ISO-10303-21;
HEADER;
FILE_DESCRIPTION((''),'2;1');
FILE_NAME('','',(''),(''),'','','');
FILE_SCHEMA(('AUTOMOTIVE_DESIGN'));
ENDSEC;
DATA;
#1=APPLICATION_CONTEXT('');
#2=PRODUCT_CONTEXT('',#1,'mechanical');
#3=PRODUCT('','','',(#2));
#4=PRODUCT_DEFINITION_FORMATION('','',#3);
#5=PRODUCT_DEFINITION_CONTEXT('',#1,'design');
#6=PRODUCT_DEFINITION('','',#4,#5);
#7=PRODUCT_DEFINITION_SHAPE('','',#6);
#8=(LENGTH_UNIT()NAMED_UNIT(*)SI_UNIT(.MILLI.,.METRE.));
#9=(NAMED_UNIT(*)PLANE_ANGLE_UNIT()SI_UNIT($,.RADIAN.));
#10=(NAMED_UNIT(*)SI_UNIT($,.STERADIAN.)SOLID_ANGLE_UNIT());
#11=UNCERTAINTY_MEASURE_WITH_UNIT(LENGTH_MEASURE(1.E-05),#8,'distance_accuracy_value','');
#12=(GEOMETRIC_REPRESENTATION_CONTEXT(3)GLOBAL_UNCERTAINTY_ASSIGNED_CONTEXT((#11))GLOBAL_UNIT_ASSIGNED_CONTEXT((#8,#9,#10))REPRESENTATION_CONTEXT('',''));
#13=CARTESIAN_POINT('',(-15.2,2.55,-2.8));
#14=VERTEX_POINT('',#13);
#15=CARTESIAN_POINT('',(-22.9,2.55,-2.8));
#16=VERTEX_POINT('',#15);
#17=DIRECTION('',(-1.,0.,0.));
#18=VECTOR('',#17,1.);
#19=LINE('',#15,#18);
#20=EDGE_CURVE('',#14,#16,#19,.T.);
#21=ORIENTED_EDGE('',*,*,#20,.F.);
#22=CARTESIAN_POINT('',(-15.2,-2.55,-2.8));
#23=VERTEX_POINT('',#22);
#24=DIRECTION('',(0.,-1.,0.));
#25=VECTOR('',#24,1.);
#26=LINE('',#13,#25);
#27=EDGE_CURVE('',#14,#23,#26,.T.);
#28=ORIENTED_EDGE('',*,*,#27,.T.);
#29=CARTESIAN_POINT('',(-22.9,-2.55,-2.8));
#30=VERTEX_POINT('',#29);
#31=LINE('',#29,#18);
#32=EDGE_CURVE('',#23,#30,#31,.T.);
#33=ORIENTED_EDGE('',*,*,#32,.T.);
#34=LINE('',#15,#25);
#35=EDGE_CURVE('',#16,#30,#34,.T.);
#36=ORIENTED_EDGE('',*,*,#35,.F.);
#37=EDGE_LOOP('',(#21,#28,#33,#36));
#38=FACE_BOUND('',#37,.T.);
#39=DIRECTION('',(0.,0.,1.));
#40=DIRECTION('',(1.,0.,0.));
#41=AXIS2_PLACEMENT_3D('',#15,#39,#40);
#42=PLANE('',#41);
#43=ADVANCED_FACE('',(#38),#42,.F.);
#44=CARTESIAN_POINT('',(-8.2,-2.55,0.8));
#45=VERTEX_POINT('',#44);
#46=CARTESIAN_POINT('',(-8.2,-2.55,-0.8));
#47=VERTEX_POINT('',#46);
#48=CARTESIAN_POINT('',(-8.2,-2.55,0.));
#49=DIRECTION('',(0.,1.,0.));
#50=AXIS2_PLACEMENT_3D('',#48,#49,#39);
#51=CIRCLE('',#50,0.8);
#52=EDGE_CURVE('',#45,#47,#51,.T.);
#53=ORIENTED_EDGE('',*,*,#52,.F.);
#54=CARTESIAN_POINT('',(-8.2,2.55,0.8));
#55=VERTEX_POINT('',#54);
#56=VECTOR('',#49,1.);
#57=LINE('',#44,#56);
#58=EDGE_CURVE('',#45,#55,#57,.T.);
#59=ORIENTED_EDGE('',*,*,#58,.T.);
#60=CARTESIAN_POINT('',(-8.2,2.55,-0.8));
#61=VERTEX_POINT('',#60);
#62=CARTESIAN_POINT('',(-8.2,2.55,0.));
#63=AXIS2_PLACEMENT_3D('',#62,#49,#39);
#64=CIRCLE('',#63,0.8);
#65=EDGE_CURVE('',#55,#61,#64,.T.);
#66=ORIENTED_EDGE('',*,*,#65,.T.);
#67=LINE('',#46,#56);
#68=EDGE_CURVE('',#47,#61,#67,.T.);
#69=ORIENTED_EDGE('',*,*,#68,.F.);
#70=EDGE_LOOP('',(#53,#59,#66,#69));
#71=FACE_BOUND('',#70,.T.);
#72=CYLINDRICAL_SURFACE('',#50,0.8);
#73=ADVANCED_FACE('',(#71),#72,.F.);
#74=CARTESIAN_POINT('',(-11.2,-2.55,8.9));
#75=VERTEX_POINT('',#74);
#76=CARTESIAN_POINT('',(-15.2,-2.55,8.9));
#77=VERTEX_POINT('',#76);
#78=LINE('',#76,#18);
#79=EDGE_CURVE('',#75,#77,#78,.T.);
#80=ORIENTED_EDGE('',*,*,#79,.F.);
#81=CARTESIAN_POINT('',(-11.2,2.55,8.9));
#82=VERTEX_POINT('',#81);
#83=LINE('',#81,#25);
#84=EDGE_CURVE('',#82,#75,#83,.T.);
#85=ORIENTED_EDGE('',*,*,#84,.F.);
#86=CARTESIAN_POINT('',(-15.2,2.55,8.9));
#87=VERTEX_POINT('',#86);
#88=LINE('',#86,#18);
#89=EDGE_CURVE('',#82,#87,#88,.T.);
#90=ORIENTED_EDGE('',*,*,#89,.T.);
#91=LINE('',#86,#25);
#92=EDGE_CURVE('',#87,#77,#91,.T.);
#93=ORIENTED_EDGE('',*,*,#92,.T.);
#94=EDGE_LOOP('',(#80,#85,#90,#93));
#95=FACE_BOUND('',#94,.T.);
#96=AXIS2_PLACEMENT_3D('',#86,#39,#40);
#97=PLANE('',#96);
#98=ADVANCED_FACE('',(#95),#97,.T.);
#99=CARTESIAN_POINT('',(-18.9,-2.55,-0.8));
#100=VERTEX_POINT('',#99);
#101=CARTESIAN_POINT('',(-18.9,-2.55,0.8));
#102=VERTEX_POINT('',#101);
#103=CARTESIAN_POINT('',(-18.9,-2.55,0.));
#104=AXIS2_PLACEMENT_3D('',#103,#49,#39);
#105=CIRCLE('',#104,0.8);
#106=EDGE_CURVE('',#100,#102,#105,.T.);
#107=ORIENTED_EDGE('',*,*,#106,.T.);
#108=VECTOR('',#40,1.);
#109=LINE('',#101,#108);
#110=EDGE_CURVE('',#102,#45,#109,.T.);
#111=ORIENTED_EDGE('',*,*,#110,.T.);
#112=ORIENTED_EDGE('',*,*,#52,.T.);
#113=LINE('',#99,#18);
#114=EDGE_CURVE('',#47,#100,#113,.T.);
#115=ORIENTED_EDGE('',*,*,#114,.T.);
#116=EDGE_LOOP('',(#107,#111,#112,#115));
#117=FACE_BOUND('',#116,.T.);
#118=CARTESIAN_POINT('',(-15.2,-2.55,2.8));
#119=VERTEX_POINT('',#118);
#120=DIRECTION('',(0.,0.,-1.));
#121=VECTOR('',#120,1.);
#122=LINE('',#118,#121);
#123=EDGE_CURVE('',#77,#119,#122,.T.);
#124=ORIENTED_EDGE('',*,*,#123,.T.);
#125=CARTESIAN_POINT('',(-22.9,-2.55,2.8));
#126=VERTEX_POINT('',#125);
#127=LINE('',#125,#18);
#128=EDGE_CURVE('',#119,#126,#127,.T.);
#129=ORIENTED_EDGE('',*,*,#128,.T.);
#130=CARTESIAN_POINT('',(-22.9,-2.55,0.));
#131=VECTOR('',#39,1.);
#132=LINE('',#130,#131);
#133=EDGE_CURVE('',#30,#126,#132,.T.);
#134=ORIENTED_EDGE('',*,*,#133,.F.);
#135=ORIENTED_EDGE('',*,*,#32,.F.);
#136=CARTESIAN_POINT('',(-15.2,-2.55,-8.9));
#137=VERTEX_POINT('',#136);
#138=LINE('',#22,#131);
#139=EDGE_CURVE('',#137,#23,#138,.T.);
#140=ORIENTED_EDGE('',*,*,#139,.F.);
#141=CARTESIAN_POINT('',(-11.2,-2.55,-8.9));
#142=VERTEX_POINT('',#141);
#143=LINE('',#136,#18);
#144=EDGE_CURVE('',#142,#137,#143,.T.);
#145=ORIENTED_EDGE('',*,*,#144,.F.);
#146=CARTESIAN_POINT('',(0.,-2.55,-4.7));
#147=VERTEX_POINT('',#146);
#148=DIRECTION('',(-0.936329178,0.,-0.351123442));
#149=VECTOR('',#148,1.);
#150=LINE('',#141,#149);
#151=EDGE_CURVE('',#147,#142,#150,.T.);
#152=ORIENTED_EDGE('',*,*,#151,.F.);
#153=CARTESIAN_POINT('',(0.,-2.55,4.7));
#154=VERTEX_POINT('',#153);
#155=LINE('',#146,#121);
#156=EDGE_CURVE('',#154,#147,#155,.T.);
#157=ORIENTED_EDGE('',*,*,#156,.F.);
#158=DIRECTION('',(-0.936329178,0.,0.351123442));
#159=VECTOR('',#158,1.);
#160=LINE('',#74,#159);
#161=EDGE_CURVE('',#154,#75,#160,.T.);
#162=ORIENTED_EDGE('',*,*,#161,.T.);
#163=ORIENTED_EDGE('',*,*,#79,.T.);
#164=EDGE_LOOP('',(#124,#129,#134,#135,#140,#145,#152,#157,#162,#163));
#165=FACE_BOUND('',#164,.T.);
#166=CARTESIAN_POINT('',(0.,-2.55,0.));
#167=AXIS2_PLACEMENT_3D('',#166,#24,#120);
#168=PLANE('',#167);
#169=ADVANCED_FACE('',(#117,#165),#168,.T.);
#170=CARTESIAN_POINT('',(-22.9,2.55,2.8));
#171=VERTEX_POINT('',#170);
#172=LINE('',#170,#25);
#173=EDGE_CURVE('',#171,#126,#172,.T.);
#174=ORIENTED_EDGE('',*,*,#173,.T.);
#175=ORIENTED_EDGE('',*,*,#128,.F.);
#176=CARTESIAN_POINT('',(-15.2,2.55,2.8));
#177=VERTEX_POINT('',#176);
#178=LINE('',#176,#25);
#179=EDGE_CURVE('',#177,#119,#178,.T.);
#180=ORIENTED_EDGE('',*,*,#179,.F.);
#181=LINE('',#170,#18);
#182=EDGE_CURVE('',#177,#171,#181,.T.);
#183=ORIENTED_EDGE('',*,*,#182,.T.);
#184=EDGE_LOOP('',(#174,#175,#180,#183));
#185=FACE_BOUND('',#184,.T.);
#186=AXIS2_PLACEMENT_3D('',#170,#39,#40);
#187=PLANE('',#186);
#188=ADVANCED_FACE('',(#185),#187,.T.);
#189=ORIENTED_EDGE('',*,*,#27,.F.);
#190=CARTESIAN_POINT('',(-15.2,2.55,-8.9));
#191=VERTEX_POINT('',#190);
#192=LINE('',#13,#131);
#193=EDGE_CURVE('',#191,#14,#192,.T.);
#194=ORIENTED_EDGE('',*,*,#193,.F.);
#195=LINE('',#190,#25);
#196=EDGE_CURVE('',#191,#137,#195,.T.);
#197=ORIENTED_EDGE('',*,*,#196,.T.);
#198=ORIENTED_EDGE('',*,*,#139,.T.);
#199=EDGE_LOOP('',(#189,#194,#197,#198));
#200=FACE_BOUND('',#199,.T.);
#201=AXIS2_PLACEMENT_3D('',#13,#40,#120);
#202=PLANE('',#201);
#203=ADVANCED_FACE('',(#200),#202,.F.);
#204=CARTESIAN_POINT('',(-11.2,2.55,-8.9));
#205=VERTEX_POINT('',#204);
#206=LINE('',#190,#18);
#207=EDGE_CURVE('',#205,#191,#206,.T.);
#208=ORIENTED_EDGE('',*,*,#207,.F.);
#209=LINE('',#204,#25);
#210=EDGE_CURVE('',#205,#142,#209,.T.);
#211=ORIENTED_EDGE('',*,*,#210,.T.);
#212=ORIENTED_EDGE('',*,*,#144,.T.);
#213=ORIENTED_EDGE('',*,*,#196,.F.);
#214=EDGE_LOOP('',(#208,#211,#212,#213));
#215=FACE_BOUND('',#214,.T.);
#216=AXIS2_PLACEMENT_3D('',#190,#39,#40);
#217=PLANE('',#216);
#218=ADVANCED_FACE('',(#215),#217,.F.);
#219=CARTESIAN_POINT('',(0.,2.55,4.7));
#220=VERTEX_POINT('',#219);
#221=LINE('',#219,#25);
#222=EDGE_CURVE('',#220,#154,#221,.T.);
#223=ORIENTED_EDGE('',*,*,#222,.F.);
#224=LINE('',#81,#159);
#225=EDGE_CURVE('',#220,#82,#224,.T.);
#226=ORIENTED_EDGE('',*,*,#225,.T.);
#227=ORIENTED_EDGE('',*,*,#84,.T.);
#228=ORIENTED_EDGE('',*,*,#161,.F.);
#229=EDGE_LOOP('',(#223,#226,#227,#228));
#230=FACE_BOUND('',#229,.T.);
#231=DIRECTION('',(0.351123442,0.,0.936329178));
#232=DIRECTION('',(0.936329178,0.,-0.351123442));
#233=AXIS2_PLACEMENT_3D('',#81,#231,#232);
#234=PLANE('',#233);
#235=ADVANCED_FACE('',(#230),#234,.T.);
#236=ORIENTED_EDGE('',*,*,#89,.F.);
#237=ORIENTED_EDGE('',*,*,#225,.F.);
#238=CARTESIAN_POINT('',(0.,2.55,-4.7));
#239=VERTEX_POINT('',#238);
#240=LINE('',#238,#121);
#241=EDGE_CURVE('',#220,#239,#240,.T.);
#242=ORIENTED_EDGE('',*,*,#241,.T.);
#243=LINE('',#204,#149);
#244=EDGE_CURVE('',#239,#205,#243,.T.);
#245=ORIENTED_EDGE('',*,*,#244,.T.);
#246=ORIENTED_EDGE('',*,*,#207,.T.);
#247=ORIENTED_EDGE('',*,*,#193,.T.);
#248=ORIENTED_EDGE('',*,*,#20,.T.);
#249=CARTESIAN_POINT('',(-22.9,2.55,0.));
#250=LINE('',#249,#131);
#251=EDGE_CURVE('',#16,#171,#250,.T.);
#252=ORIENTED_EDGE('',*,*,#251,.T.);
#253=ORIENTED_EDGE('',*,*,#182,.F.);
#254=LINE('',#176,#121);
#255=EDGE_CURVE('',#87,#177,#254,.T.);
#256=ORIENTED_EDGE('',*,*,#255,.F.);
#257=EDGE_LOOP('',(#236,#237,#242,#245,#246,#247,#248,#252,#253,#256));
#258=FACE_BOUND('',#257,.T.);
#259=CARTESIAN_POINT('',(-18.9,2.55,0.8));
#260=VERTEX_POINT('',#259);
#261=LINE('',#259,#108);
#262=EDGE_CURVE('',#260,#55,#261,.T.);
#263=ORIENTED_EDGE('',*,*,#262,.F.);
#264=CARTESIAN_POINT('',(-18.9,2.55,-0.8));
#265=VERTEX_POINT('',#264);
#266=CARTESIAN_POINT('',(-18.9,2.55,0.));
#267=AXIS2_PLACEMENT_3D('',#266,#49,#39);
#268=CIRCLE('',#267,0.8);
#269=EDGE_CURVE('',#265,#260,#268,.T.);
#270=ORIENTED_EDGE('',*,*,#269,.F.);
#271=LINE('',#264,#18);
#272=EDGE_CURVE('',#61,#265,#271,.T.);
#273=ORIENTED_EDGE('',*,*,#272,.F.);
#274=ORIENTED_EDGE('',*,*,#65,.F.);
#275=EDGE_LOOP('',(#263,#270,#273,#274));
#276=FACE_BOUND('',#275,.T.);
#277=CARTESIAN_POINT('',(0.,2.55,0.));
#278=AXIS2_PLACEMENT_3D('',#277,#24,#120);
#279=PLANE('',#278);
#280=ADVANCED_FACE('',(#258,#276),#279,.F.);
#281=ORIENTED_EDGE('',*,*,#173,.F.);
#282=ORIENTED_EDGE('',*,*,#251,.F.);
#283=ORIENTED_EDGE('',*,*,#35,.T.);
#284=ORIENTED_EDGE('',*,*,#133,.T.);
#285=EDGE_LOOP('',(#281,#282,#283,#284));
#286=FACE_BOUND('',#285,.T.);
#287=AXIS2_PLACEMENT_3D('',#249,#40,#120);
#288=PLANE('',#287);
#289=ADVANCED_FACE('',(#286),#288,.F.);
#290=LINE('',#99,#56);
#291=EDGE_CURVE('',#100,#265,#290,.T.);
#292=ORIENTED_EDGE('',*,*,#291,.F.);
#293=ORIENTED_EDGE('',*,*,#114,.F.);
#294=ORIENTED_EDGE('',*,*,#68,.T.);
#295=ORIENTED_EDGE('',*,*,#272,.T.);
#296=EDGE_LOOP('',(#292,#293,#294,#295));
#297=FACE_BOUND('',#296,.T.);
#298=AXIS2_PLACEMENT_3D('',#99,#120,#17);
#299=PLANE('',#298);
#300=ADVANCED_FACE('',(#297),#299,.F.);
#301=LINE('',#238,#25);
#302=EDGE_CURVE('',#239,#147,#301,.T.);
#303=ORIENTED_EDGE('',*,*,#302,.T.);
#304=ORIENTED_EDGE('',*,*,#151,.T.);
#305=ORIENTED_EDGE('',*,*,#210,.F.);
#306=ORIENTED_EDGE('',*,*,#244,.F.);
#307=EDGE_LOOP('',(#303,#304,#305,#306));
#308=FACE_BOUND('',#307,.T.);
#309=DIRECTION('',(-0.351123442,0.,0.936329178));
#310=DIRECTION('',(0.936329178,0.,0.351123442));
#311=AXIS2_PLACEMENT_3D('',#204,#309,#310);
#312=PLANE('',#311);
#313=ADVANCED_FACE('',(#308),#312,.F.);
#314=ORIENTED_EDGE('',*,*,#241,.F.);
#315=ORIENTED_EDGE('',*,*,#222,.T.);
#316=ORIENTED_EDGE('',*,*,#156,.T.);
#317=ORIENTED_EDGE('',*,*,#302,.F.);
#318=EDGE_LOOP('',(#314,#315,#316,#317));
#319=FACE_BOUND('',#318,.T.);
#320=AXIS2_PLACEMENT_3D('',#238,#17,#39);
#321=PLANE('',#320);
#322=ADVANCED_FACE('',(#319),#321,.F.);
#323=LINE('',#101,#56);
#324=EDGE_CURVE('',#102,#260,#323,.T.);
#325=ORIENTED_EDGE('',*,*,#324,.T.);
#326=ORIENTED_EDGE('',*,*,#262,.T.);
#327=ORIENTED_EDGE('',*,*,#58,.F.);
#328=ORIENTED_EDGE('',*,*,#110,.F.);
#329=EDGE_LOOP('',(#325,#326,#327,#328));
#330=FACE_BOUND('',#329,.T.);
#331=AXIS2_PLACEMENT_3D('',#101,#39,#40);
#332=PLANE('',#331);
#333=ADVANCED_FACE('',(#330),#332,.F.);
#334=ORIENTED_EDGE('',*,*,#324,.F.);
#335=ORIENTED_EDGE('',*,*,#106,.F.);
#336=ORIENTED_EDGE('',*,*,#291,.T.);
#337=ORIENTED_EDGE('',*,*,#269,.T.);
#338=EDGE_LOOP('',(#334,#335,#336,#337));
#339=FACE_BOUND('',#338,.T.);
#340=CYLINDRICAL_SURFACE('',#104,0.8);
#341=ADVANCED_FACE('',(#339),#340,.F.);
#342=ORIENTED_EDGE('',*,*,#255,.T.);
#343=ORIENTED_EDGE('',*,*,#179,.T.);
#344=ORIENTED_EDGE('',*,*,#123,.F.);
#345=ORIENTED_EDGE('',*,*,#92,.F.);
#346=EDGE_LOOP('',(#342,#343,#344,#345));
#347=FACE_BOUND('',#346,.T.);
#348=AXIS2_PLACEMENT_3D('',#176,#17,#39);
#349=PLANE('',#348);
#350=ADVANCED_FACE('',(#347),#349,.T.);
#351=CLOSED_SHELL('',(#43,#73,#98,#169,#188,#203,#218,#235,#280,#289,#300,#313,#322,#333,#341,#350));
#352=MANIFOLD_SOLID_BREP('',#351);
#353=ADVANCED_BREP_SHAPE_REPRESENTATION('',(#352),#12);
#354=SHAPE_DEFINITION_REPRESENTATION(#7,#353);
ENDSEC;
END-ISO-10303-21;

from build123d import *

# Parameters (mm, degrees)
BOSS_EXTRUDE1_DEPTH = 2.55
CUT_EXTRUDE1_DEPTH  = 26.092429137


with BuildPart() as part:
    # Sketch1 → Boss-Extrude1 (new, symmetric)
    with BuildSketch(Plane(origin=(0, 0, 0), x_dir=(1, 0, 0), z_dir=(0, 1, 0))):
        Polygon((-22.9, 0), (-22.9, 2.8), (-15.2, 2.8), (-15.2, 8.9), (-11.2, 8.9), (0, 4.7), (0, 0), align=None)
    boss_extrude1 = extrude(amount=BOSS_EXTRUDE1_DEPTH, both=True)

    # Mirror1: Boss-Extrude1 across plane
    add(boss_extrude1.mirror(Plane.XY))

    # Sketch2 → Cut-Extrude1 (cut, through all)
    with BuildSketch(Plane(origin=(0, 2.55, 0), x_dir=(1, 0, 0), z_dir=(0, 1, 0))):
        with BuildLine():
            Line((-18.9, 0.8), (-8.2, 0.8))
            ThreePointArc((-8.2, 0.8), (-7.4, 0), (-8.2, -0.8))
            Line((-8.2, -0.8), (-18.9, -0.8))
            ThreePointArc((-18.9, -0.8), (-19.7, 0), (-18.9, 0.8))
        make_face()
    extrude(amount=-CUT_EXTRUDE1_DEPTH, mode=Mode.SUBTRACT)


solid = part.part
